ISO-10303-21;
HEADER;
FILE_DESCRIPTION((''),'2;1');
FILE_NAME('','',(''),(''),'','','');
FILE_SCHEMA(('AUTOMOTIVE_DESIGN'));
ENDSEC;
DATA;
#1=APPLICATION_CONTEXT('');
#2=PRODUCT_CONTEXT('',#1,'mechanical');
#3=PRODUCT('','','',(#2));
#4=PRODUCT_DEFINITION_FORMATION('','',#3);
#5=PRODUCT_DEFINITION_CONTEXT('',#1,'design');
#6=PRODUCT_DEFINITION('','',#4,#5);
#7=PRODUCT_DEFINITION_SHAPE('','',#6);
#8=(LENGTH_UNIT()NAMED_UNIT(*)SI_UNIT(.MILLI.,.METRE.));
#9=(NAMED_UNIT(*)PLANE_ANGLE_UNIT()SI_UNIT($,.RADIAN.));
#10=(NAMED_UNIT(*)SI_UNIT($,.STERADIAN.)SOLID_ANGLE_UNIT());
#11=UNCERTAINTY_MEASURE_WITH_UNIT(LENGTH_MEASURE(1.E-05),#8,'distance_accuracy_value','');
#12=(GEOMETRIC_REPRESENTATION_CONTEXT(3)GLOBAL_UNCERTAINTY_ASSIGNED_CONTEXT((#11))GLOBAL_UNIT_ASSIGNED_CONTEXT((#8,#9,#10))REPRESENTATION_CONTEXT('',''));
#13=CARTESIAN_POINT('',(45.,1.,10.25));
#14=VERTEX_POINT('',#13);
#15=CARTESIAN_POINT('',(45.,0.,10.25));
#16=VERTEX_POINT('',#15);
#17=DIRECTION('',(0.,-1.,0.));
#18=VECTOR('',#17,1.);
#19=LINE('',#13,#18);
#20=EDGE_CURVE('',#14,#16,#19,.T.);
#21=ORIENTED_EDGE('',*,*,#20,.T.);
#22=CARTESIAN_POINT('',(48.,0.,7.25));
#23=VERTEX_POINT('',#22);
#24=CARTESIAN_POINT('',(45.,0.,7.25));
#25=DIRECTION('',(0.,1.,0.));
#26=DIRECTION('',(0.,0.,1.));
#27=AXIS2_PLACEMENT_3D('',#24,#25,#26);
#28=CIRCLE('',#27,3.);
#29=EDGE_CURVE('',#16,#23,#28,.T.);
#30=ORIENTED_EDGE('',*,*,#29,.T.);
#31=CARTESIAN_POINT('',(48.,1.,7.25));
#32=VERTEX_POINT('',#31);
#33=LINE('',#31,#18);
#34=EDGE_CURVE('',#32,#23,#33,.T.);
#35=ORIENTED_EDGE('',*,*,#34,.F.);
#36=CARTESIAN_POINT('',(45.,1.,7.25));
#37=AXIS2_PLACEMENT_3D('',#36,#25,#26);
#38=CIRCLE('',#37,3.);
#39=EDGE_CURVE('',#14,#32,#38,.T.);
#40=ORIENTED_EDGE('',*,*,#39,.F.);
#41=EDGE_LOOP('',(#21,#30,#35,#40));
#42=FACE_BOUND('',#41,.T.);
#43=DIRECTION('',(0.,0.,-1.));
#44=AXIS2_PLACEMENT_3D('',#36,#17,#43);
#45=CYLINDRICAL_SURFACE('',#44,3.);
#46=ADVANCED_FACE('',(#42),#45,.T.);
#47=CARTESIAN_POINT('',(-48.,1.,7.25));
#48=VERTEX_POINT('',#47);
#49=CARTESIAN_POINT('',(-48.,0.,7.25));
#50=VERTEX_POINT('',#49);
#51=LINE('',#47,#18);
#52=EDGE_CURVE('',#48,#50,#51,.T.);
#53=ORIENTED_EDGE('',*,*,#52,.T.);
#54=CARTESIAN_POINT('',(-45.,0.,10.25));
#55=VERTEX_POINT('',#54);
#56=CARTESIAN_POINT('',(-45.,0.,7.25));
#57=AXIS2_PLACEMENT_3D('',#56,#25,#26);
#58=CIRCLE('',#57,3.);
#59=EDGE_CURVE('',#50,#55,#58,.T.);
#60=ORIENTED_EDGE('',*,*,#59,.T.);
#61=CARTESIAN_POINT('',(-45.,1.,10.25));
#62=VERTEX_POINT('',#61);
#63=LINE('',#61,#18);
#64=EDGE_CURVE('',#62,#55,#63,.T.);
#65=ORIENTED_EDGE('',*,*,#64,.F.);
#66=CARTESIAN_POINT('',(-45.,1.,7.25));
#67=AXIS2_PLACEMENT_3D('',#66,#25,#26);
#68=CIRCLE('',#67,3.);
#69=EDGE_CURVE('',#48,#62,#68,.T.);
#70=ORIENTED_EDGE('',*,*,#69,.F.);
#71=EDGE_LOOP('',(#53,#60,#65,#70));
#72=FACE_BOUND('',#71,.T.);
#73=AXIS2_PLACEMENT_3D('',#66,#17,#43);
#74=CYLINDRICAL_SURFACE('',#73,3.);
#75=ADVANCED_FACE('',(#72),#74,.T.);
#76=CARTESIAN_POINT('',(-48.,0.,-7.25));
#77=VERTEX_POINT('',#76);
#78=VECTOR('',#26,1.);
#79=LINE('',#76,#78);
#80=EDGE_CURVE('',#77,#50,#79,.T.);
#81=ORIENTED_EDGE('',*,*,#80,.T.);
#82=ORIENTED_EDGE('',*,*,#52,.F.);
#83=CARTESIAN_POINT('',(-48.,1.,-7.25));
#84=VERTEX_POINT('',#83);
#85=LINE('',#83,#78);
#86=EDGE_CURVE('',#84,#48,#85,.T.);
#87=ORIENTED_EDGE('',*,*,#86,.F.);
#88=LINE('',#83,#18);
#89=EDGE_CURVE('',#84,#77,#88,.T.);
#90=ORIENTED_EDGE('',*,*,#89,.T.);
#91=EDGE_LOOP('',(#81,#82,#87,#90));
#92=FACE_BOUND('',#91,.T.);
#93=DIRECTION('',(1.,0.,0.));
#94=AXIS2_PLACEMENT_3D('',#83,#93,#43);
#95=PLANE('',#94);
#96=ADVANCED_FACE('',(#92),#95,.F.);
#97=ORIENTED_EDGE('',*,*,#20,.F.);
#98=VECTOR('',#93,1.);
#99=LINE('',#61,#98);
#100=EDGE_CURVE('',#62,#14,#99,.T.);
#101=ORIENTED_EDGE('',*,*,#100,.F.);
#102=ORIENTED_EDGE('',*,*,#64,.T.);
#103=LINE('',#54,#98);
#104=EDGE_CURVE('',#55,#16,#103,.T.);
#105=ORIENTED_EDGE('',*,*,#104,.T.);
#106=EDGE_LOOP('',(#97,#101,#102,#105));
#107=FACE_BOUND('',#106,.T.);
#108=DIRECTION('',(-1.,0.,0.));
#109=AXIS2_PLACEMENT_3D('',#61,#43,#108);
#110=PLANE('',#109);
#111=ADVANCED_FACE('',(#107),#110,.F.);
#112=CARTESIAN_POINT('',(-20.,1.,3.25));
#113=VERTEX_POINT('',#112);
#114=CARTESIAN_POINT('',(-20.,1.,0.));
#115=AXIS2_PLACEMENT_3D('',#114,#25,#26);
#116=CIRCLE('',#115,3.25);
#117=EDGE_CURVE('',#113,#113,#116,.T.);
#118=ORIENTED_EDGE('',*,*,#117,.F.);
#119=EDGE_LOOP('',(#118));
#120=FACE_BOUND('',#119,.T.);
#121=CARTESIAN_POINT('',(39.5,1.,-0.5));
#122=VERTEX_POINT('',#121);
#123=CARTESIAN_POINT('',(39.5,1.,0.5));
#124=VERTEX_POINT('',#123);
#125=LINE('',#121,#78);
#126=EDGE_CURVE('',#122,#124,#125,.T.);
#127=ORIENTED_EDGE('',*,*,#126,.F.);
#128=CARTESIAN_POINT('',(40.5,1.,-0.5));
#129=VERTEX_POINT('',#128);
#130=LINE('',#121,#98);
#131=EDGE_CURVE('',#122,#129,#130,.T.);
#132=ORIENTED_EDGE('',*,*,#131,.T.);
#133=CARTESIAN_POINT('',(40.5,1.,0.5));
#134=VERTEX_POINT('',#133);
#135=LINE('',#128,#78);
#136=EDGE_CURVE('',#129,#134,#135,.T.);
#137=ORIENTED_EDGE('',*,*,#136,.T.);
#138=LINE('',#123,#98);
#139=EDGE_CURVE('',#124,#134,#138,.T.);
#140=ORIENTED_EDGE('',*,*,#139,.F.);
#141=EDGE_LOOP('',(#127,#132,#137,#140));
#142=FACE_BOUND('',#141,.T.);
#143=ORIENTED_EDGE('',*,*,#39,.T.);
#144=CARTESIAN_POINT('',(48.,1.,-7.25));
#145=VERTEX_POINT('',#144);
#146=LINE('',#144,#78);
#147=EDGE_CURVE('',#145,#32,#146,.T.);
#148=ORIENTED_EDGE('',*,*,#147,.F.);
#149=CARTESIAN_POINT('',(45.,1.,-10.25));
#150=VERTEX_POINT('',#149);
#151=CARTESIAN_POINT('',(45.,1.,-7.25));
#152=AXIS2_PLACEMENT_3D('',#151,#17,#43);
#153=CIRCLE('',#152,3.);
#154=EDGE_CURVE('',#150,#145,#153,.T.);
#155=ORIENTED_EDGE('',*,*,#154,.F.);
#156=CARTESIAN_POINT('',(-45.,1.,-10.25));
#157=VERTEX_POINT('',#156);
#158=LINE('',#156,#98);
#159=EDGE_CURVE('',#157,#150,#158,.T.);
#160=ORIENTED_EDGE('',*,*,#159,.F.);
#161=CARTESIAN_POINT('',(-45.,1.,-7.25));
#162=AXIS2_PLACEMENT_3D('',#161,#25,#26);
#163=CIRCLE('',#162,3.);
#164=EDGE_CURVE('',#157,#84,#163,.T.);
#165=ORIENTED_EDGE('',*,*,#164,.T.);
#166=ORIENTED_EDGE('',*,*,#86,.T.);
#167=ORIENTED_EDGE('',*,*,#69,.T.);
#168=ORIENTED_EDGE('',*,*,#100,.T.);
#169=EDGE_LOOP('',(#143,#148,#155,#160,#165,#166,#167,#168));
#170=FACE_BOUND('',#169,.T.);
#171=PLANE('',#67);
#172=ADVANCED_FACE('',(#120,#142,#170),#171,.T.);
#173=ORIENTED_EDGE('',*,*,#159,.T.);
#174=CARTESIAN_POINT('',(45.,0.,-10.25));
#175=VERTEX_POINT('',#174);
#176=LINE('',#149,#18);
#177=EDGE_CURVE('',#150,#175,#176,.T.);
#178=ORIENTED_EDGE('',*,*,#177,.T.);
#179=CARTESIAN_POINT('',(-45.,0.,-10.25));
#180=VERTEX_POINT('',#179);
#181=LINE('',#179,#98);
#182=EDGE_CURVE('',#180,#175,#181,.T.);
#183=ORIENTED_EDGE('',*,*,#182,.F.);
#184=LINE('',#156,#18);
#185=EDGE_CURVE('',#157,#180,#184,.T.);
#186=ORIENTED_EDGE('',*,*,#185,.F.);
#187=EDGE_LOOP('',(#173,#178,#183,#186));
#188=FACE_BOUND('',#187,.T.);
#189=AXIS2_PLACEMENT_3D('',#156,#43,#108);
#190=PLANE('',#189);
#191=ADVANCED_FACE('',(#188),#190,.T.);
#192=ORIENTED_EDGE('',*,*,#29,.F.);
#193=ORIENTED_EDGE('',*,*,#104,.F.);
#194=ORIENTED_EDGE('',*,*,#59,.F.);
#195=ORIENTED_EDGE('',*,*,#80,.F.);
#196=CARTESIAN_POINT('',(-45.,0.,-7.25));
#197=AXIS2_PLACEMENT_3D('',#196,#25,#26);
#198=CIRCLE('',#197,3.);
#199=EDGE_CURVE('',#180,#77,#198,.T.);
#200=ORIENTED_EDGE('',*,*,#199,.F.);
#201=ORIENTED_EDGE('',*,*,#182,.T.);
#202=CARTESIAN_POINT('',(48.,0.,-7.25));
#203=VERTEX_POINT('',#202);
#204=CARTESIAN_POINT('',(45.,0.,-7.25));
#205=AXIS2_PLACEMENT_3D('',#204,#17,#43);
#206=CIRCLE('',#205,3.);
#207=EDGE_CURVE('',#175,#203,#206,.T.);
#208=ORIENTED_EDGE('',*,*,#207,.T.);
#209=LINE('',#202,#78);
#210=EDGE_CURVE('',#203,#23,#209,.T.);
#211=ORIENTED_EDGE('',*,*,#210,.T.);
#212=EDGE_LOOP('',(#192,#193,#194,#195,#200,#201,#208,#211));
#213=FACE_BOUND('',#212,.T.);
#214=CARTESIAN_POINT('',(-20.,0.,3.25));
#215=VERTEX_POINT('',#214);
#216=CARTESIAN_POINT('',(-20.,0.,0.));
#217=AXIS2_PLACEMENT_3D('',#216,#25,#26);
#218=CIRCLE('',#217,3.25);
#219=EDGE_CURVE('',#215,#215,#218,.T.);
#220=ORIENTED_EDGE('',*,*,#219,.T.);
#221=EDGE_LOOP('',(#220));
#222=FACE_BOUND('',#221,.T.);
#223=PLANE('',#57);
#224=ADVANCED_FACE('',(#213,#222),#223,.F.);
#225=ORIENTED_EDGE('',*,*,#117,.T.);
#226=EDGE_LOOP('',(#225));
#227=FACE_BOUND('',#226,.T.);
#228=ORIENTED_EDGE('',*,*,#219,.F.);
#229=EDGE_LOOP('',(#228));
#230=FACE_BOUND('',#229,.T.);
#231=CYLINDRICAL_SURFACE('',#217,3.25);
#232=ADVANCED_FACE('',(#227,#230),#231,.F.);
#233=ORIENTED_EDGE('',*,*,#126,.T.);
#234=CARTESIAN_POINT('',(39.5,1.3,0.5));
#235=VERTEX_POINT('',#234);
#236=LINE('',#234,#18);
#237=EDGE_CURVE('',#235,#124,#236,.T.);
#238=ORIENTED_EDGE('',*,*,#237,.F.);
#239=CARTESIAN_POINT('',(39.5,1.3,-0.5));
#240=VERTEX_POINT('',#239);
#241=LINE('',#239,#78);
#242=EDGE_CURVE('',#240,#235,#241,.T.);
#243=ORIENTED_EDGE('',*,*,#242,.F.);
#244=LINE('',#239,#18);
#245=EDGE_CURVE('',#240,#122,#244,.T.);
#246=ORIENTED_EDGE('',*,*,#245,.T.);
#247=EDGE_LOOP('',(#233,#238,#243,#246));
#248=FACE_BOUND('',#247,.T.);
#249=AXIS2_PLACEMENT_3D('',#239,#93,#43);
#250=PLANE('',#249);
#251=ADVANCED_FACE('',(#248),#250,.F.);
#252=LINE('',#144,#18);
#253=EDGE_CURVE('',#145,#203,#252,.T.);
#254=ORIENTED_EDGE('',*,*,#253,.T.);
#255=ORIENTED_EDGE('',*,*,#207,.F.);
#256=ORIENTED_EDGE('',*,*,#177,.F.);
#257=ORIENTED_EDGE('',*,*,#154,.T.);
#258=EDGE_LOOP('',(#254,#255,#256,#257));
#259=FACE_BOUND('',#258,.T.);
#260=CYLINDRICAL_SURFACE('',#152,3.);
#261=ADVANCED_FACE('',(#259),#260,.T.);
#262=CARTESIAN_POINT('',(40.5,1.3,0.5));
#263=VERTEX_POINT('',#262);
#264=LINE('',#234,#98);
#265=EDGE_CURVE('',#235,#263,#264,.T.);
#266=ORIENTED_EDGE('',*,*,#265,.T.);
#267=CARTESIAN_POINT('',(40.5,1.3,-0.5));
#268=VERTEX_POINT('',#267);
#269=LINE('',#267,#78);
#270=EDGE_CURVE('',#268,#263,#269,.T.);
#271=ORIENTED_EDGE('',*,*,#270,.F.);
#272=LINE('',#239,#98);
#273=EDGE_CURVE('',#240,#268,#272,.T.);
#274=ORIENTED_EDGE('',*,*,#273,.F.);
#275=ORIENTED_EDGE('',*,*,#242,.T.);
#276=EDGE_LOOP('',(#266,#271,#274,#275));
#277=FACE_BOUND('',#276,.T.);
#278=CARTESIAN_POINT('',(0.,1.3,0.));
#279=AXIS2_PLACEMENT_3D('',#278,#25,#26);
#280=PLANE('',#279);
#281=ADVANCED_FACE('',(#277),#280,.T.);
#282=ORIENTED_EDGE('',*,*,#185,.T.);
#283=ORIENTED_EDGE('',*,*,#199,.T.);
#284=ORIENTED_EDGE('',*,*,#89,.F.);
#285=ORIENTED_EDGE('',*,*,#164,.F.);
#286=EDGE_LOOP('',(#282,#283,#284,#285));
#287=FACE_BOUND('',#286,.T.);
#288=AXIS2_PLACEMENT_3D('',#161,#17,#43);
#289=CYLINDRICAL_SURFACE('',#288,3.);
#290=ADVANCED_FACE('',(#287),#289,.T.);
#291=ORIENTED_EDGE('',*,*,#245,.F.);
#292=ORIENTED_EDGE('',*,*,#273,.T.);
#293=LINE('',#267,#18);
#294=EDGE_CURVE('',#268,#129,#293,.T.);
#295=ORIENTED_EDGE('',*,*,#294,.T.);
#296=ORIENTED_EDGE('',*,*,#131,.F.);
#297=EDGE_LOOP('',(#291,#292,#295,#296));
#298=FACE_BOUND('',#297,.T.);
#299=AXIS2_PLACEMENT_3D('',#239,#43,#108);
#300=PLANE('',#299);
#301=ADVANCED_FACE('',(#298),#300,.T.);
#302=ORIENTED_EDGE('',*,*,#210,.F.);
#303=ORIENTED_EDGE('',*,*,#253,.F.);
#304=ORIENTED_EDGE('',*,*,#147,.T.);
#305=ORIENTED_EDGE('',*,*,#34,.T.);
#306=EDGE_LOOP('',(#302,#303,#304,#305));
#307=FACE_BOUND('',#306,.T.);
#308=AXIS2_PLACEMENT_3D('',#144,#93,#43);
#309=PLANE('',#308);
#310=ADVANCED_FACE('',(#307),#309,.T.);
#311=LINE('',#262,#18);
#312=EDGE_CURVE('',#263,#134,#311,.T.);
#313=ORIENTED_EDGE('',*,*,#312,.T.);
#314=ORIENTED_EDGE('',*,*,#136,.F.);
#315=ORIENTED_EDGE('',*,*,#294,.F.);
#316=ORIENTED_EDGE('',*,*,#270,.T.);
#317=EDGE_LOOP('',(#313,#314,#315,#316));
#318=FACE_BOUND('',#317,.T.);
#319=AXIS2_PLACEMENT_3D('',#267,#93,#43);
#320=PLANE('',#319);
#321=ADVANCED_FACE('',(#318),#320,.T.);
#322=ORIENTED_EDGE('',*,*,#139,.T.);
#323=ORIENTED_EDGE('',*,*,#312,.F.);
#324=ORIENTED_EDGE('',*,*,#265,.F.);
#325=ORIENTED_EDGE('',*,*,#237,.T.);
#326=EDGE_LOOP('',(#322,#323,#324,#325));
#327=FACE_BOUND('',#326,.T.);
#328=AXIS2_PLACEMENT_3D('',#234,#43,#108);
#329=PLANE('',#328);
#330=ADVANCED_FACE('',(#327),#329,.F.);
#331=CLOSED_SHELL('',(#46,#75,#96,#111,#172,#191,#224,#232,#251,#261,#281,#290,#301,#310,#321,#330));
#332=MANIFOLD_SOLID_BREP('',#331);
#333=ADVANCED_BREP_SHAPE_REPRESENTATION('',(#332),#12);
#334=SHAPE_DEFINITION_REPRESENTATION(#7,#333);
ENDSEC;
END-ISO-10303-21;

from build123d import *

# Parameters (mm, degrees)
BOSS_EXTRUDE1_DEPTH = 1
SKETCH2_W           = 1
SKETCH2_H           = 1
BOSS_EXTRUDE2_DEPTH = 0.3
SKETCH3_R           = 3.25
CUT_EXTRUDE1_DEPTH  = 50.092387394


with BuildPart() as part:
    # Sketch1 → Boss-Extrude1 (new body)
    with BuildSketch(Plane(origin=(0, 0, 0), x_dir=(1, 0, 0), z_dir=(0, 1, 0))):
        with BuildLine():
            Line((-45, 10.25), (45, 10.25))
            ThreePointArc((45, 10.25), (47.121320344, 9.371320344), (48, 7.25))
            Line((48, 7.25), (48, -7.25))
            ThreePointArc((48, -7.25), (47.121320344, -9.371320344), (45, -10.25))
            Line((45, -10.25), (-45, -10.25))
            ThreePointArc((-45, -10.25), (-47.121320344, -9.371320344), (-48, -7.25))
            Line((-48, -7.25), (-48, 7.25))
            ThreePointArc((-48, 7.25), (-47.121320344, 9.371320344), (-45, 10.25))
        make_face()
    extrude(amount=BOSS_EXTRUDE1_DEPTH)

    # Sketch2 → Boss-Extrude2 (add)
    with BuildSketch(Plane(origin=(0, 1, 0), x_dir=(1, 0, 0), z_dir=(0, 1, 0))):
        with Locations((40, 0)):
            Rectangle(SKETCH2_W, SKETCH2_H)
    extrude(amount=BOSS_EXTRUDE2_DEPTH)

    # Sketch3 → Cut-Extrude1 (cut, through all)
    with BuildSketch(Plane(origin=(0, 1, 0), x_dir=(1, 0, 0), z_dir=(0, 1, 0))):
        with Locations(Location((-20, 0, 0), (0, 0, 270))):
            Circle(SKETCH3_R)
    extrude(amount=-CUT_EXTRUDE1_DEPTH, mode=Mode.SUBTRACT)


solid = part.part
